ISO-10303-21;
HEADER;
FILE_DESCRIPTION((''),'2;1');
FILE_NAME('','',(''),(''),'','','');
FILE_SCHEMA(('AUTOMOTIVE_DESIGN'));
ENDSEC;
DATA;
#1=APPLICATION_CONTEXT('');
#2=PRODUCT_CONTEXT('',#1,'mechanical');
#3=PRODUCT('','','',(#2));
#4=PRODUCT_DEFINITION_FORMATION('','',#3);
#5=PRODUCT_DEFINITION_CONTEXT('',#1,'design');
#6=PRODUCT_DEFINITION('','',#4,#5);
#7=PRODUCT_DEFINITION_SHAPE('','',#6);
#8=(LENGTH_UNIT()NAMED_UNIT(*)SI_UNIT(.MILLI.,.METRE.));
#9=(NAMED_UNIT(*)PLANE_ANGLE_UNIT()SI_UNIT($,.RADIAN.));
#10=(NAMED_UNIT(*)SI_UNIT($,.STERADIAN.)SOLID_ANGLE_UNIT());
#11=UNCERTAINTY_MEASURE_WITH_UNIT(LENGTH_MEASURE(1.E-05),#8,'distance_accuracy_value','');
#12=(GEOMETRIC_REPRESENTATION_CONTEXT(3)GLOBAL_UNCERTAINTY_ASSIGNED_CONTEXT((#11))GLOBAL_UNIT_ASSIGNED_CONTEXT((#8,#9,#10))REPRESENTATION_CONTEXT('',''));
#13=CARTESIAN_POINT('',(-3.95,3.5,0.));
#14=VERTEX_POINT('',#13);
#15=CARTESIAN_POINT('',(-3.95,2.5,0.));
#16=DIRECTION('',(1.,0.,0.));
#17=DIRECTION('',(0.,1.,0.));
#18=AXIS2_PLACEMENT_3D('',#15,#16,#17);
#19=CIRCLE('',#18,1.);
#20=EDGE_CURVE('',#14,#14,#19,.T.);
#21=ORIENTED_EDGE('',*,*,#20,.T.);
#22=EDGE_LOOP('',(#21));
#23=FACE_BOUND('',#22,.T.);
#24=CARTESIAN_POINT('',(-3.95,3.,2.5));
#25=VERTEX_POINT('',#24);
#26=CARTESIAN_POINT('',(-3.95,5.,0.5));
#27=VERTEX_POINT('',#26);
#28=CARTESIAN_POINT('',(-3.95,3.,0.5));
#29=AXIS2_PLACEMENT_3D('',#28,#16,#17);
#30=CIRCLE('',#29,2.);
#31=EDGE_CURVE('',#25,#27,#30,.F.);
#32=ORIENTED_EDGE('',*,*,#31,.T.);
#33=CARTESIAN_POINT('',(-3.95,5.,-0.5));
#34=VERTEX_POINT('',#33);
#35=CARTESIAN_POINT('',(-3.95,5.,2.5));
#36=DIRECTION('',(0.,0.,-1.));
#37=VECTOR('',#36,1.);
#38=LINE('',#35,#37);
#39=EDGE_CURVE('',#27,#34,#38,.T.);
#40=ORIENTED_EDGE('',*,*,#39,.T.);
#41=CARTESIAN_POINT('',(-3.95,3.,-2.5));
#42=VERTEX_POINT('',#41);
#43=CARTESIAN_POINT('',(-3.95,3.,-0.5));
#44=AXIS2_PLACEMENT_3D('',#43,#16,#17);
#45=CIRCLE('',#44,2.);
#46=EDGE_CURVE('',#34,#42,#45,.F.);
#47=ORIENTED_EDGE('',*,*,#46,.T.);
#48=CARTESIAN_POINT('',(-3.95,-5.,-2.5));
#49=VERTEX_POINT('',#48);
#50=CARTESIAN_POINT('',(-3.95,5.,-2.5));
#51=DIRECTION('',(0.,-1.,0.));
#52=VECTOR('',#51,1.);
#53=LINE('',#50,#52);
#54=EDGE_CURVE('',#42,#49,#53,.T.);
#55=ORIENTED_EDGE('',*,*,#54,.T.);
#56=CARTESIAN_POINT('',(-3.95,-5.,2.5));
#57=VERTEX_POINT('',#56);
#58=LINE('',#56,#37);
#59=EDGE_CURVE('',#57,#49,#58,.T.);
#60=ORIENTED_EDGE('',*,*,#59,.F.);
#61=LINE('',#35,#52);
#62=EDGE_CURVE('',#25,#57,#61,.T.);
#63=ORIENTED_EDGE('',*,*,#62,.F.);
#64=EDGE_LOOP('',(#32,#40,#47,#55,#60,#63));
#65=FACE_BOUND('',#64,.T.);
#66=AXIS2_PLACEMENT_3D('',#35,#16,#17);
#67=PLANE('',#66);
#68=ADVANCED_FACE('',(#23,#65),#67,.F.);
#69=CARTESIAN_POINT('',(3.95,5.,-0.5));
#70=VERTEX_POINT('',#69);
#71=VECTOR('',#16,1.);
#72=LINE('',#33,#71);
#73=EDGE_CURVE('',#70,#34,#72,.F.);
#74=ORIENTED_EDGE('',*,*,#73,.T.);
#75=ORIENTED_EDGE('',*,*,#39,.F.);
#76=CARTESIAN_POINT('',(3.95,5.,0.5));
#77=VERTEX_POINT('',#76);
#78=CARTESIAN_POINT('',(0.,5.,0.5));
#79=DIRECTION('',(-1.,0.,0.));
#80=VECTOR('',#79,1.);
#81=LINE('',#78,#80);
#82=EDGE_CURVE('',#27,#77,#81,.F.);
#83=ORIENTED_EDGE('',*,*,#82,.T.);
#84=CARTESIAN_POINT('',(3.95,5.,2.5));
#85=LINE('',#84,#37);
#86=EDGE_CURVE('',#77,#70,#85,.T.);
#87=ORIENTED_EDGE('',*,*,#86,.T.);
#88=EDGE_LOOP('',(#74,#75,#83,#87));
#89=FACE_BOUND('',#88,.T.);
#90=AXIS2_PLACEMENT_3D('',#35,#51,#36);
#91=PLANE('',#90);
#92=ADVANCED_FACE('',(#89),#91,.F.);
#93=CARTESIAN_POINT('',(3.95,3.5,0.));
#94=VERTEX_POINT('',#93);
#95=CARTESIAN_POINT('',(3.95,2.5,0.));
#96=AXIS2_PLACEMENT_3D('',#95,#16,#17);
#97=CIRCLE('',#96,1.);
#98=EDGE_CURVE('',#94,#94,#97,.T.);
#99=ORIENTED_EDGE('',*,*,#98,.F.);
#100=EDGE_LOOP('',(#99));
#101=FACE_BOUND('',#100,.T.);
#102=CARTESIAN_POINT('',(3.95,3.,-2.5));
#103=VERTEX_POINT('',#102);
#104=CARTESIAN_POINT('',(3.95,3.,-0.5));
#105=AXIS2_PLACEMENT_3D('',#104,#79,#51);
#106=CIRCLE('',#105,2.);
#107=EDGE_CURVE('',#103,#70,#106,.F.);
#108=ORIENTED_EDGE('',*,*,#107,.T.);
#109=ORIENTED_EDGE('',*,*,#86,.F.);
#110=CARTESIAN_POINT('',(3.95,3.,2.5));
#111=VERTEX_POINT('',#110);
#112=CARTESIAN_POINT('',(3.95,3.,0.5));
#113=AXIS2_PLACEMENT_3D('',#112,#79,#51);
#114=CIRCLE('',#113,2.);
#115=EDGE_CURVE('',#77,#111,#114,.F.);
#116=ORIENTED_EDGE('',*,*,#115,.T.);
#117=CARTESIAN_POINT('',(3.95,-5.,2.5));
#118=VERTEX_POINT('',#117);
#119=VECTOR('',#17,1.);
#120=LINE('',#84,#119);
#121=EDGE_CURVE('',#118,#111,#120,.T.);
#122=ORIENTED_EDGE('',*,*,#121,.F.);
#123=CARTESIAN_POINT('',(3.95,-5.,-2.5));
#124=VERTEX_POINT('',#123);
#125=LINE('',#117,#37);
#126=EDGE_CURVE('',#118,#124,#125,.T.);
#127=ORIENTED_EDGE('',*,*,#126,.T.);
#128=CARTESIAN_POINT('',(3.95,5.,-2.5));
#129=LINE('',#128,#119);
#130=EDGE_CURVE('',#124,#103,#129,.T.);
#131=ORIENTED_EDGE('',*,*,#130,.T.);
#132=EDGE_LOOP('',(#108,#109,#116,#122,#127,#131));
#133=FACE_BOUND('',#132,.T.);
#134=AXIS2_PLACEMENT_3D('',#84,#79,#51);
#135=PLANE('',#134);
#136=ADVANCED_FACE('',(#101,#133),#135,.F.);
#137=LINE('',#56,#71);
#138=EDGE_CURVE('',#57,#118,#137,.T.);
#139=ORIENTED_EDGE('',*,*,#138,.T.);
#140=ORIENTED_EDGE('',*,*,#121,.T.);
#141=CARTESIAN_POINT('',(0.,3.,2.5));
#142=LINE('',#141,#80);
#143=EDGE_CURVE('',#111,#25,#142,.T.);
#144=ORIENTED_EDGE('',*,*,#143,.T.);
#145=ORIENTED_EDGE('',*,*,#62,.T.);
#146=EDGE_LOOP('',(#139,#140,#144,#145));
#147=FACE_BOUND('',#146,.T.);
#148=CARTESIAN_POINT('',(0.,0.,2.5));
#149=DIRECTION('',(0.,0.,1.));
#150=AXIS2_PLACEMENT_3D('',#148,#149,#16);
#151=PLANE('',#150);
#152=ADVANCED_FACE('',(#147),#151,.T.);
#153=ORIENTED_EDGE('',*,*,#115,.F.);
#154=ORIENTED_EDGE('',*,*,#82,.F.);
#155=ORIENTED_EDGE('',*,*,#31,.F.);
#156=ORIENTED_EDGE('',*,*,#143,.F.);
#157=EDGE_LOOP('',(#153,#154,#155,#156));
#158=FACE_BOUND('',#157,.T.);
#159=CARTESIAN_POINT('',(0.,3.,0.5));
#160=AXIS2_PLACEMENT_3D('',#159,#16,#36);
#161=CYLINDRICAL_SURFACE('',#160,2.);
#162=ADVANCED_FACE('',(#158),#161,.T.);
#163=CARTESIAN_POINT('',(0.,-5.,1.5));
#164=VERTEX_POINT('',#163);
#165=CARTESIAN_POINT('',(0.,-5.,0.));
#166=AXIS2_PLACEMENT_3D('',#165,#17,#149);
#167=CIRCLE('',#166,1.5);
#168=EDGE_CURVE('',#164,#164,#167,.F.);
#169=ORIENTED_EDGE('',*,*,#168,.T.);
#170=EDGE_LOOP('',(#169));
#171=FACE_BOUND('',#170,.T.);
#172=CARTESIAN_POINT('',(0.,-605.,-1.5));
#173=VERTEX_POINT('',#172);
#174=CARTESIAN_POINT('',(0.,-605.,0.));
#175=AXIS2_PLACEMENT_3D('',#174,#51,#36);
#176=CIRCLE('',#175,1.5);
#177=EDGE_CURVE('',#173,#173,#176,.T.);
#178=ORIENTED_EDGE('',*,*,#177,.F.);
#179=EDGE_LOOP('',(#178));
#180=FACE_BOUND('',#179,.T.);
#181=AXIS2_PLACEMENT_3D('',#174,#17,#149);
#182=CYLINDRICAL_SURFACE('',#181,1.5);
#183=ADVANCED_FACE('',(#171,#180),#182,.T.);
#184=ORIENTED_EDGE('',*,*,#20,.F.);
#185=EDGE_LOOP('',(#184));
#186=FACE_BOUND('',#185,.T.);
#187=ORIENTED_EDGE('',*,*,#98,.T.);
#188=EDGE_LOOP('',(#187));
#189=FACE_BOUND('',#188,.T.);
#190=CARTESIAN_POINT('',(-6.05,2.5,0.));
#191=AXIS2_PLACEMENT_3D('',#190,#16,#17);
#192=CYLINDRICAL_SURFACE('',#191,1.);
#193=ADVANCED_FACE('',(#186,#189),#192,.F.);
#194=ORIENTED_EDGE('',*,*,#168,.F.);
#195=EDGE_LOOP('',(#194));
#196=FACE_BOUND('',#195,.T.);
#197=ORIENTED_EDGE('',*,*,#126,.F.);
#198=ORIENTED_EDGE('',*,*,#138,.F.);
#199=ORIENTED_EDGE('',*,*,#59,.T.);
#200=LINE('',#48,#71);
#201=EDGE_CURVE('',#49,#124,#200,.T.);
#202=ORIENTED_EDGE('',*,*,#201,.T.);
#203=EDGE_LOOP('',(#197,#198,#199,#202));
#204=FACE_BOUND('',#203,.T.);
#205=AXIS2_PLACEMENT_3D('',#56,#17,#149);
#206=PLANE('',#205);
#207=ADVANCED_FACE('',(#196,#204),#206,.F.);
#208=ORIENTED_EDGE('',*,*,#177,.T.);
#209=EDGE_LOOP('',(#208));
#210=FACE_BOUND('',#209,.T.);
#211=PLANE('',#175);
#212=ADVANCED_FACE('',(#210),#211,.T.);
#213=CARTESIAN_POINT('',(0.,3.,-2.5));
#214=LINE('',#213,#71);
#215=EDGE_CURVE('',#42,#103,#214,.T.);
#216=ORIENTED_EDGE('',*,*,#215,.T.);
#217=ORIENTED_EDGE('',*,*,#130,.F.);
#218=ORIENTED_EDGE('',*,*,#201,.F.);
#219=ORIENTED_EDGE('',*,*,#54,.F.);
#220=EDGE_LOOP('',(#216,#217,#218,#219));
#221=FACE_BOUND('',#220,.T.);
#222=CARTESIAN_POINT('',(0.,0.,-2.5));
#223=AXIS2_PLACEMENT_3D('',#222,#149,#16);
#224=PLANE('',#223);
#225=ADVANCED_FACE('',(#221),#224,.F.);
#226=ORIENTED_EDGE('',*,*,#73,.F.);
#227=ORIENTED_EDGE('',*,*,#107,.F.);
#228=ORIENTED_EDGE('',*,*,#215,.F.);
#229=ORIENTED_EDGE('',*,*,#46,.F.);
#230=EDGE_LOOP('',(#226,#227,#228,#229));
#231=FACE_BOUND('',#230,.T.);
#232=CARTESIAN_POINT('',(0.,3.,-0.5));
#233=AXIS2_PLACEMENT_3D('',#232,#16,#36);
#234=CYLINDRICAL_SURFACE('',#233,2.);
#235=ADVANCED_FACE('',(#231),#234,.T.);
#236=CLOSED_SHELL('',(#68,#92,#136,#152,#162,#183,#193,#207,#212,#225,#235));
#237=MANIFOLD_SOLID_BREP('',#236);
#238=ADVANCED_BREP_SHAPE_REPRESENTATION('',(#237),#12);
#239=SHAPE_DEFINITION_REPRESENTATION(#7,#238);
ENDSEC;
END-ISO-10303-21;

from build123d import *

# Parameters (mm, degrees)
SKETCH1_W           = 7.9
SKETCH1_H           = 10
BOSS_EXTRUDE1_DEPTH = 2.5
FILLET2_R           = 2
FILLET3_R           = 2
SKETCH4_R           = 1
CUT_EXTRUDE1_DEPTH  = 10
SKETCH5_R           = 1.5
BOSS_EXTRUDE2_DEPTH = 600


with BuildPart() as part:
    # Sketch1 → Boss-Extrude1 (new, symmetric)
    with BuildSketch(Plane.XY):
        Rectangle(SKETCH1_W, SKETCH1_H)
    extrude(amount=BOSS_EXTRUDE1_DEPTH, both=True)

    # Fillet2
    fillet2_edges = [part.edges().sort_by_distance(p)[0] for p in [
        (0, 5, -2.5),
    ]]
    fillet(fillet2_edges, radius=FILLET2_R)

    # Fillet3
    fillet3_edges = [part.edges().sort_by_distance(p)[0] for p in [
        (0, 5, 2.5),
    ]]
    fillet(fillet3_edges, radius=FILLET3_R)

    # Sketch4 → Cut-Extrude1 (cut)
    with BuildSketch(Plane(origin=(3.95, 0, 0), x_dir=(0, 0, -1), z_dir=(1, 0, 0))):
        with Locations(Location((0, 2.5, 0), (0, 0, 90))):
            Circle(SKETCH4_R)
    extrude(amount=-CUT_EXTRUDE1_DEPTH, mode=Mode.SUBTRACT)

    # Sketch5 → Boss-Extrude2 (add)
    with BuildSketch(Plane.XZ.offset(5)):
        with Locations(Location((0, 0, 0), (0, 0, 90))):
            Circle(SKETCH5_R)
    extrude(amount=BOSS_EXTRUDE2_DEPTH)


solid = part.part
